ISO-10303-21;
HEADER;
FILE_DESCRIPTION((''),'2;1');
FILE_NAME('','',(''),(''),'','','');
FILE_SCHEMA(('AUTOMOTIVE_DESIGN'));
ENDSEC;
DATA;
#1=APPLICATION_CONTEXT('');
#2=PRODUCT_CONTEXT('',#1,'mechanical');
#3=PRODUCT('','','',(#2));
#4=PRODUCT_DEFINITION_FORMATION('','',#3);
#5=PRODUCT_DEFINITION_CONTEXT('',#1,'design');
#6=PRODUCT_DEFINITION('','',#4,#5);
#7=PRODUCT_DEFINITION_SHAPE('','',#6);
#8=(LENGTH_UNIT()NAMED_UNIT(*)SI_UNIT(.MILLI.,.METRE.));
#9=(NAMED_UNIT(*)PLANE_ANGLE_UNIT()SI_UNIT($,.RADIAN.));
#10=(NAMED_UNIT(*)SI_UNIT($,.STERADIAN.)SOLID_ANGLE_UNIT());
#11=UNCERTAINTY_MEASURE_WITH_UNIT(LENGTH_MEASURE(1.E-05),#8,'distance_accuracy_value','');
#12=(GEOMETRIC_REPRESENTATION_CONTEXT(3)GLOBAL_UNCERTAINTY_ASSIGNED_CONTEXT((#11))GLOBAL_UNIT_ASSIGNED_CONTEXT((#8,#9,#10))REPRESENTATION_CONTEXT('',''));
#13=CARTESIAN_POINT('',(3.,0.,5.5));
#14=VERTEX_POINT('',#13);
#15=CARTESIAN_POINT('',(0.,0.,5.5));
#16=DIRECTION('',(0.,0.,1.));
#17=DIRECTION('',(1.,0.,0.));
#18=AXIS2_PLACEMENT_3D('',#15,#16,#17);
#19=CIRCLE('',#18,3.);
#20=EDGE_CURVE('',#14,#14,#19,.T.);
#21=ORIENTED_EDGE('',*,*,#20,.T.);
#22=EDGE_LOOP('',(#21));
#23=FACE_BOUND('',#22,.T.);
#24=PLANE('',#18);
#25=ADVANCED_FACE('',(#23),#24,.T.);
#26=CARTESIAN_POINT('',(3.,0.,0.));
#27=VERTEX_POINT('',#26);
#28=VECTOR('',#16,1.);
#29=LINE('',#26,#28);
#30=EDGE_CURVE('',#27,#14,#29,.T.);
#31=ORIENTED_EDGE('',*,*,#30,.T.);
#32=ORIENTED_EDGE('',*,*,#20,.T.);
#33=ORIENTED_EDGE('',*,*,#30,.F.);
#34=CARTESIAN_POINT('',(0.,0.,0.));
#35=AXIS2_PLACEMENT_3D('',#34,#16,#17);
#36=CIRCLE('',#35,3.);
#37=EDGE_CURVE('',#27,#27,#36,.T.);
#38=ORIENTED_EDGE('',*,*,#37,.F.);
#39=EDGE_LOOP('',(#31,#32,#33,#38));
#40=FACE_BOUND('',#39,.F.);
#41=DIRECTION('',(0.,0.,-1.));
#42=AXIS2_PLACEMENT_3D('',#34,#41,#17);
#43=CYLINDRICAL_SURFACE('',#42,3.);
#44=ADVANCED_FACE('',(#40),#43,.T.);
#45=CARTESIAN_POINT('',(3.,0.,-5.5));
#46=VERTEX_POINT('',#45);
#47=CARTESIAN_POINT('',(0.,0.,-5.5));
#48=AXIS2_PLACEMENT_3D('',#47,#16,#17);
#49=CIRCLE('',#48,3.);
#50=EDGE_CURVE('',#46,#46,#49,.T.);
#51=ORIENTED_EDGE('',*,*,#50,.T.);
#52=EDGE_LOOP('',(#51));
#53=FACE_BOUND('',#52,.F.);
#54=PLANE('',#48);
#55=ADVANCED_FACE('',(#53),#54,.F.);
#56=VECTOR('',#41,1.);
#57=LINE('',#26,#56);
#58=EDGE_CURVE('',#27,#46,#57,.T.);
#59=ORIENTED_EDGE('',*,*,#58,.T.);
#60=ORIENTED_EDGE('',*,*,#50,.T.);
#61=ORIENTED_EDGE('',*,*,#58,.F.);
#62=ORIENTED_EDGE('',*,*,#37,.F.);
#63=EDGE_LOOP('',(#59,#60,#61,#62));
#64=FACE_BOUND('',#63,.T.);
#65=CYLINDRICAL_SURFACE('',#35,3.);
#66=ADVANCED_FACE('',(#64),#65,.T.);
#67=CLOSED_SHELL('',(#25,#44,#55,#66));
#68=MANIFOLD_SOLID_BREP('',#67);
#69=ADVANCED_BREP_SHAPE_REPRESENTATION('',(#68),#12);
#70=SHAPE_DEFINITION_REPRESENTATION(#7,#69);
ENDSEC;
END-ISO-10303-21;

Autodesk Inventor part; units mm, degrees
ref_plane "YZ Plane" through (0, 0, 0) normal (1, 0, 0) x (0, 1, 0)
ref_plane "XZ Plane" through (0, 0, 0) normal (0, 1, 0) x (-1, 0, 0)
ref_plane "XY Plane" through (0, 0, 0) normal (0, 0, 1) x (1, 0, 0)
sketch "Hauptskizze" plane through (0, 0, 0) normal (0, 0, 1) x (1, 0, 0)
  circle A0 centre (0, 0) radius 3
  dimension "d0" = 6
extrude "Riemenscheibe" add sketch "Hauptskizze" along normal mid plane 11
equation "\"d0\" = da_D"
equation "\"d1\" = da_B"
equation "\"da_D\" = 6"
equation "\"da_B\" = 11"
properties part number "Flache Riemenscheibe1" material "Steel"
